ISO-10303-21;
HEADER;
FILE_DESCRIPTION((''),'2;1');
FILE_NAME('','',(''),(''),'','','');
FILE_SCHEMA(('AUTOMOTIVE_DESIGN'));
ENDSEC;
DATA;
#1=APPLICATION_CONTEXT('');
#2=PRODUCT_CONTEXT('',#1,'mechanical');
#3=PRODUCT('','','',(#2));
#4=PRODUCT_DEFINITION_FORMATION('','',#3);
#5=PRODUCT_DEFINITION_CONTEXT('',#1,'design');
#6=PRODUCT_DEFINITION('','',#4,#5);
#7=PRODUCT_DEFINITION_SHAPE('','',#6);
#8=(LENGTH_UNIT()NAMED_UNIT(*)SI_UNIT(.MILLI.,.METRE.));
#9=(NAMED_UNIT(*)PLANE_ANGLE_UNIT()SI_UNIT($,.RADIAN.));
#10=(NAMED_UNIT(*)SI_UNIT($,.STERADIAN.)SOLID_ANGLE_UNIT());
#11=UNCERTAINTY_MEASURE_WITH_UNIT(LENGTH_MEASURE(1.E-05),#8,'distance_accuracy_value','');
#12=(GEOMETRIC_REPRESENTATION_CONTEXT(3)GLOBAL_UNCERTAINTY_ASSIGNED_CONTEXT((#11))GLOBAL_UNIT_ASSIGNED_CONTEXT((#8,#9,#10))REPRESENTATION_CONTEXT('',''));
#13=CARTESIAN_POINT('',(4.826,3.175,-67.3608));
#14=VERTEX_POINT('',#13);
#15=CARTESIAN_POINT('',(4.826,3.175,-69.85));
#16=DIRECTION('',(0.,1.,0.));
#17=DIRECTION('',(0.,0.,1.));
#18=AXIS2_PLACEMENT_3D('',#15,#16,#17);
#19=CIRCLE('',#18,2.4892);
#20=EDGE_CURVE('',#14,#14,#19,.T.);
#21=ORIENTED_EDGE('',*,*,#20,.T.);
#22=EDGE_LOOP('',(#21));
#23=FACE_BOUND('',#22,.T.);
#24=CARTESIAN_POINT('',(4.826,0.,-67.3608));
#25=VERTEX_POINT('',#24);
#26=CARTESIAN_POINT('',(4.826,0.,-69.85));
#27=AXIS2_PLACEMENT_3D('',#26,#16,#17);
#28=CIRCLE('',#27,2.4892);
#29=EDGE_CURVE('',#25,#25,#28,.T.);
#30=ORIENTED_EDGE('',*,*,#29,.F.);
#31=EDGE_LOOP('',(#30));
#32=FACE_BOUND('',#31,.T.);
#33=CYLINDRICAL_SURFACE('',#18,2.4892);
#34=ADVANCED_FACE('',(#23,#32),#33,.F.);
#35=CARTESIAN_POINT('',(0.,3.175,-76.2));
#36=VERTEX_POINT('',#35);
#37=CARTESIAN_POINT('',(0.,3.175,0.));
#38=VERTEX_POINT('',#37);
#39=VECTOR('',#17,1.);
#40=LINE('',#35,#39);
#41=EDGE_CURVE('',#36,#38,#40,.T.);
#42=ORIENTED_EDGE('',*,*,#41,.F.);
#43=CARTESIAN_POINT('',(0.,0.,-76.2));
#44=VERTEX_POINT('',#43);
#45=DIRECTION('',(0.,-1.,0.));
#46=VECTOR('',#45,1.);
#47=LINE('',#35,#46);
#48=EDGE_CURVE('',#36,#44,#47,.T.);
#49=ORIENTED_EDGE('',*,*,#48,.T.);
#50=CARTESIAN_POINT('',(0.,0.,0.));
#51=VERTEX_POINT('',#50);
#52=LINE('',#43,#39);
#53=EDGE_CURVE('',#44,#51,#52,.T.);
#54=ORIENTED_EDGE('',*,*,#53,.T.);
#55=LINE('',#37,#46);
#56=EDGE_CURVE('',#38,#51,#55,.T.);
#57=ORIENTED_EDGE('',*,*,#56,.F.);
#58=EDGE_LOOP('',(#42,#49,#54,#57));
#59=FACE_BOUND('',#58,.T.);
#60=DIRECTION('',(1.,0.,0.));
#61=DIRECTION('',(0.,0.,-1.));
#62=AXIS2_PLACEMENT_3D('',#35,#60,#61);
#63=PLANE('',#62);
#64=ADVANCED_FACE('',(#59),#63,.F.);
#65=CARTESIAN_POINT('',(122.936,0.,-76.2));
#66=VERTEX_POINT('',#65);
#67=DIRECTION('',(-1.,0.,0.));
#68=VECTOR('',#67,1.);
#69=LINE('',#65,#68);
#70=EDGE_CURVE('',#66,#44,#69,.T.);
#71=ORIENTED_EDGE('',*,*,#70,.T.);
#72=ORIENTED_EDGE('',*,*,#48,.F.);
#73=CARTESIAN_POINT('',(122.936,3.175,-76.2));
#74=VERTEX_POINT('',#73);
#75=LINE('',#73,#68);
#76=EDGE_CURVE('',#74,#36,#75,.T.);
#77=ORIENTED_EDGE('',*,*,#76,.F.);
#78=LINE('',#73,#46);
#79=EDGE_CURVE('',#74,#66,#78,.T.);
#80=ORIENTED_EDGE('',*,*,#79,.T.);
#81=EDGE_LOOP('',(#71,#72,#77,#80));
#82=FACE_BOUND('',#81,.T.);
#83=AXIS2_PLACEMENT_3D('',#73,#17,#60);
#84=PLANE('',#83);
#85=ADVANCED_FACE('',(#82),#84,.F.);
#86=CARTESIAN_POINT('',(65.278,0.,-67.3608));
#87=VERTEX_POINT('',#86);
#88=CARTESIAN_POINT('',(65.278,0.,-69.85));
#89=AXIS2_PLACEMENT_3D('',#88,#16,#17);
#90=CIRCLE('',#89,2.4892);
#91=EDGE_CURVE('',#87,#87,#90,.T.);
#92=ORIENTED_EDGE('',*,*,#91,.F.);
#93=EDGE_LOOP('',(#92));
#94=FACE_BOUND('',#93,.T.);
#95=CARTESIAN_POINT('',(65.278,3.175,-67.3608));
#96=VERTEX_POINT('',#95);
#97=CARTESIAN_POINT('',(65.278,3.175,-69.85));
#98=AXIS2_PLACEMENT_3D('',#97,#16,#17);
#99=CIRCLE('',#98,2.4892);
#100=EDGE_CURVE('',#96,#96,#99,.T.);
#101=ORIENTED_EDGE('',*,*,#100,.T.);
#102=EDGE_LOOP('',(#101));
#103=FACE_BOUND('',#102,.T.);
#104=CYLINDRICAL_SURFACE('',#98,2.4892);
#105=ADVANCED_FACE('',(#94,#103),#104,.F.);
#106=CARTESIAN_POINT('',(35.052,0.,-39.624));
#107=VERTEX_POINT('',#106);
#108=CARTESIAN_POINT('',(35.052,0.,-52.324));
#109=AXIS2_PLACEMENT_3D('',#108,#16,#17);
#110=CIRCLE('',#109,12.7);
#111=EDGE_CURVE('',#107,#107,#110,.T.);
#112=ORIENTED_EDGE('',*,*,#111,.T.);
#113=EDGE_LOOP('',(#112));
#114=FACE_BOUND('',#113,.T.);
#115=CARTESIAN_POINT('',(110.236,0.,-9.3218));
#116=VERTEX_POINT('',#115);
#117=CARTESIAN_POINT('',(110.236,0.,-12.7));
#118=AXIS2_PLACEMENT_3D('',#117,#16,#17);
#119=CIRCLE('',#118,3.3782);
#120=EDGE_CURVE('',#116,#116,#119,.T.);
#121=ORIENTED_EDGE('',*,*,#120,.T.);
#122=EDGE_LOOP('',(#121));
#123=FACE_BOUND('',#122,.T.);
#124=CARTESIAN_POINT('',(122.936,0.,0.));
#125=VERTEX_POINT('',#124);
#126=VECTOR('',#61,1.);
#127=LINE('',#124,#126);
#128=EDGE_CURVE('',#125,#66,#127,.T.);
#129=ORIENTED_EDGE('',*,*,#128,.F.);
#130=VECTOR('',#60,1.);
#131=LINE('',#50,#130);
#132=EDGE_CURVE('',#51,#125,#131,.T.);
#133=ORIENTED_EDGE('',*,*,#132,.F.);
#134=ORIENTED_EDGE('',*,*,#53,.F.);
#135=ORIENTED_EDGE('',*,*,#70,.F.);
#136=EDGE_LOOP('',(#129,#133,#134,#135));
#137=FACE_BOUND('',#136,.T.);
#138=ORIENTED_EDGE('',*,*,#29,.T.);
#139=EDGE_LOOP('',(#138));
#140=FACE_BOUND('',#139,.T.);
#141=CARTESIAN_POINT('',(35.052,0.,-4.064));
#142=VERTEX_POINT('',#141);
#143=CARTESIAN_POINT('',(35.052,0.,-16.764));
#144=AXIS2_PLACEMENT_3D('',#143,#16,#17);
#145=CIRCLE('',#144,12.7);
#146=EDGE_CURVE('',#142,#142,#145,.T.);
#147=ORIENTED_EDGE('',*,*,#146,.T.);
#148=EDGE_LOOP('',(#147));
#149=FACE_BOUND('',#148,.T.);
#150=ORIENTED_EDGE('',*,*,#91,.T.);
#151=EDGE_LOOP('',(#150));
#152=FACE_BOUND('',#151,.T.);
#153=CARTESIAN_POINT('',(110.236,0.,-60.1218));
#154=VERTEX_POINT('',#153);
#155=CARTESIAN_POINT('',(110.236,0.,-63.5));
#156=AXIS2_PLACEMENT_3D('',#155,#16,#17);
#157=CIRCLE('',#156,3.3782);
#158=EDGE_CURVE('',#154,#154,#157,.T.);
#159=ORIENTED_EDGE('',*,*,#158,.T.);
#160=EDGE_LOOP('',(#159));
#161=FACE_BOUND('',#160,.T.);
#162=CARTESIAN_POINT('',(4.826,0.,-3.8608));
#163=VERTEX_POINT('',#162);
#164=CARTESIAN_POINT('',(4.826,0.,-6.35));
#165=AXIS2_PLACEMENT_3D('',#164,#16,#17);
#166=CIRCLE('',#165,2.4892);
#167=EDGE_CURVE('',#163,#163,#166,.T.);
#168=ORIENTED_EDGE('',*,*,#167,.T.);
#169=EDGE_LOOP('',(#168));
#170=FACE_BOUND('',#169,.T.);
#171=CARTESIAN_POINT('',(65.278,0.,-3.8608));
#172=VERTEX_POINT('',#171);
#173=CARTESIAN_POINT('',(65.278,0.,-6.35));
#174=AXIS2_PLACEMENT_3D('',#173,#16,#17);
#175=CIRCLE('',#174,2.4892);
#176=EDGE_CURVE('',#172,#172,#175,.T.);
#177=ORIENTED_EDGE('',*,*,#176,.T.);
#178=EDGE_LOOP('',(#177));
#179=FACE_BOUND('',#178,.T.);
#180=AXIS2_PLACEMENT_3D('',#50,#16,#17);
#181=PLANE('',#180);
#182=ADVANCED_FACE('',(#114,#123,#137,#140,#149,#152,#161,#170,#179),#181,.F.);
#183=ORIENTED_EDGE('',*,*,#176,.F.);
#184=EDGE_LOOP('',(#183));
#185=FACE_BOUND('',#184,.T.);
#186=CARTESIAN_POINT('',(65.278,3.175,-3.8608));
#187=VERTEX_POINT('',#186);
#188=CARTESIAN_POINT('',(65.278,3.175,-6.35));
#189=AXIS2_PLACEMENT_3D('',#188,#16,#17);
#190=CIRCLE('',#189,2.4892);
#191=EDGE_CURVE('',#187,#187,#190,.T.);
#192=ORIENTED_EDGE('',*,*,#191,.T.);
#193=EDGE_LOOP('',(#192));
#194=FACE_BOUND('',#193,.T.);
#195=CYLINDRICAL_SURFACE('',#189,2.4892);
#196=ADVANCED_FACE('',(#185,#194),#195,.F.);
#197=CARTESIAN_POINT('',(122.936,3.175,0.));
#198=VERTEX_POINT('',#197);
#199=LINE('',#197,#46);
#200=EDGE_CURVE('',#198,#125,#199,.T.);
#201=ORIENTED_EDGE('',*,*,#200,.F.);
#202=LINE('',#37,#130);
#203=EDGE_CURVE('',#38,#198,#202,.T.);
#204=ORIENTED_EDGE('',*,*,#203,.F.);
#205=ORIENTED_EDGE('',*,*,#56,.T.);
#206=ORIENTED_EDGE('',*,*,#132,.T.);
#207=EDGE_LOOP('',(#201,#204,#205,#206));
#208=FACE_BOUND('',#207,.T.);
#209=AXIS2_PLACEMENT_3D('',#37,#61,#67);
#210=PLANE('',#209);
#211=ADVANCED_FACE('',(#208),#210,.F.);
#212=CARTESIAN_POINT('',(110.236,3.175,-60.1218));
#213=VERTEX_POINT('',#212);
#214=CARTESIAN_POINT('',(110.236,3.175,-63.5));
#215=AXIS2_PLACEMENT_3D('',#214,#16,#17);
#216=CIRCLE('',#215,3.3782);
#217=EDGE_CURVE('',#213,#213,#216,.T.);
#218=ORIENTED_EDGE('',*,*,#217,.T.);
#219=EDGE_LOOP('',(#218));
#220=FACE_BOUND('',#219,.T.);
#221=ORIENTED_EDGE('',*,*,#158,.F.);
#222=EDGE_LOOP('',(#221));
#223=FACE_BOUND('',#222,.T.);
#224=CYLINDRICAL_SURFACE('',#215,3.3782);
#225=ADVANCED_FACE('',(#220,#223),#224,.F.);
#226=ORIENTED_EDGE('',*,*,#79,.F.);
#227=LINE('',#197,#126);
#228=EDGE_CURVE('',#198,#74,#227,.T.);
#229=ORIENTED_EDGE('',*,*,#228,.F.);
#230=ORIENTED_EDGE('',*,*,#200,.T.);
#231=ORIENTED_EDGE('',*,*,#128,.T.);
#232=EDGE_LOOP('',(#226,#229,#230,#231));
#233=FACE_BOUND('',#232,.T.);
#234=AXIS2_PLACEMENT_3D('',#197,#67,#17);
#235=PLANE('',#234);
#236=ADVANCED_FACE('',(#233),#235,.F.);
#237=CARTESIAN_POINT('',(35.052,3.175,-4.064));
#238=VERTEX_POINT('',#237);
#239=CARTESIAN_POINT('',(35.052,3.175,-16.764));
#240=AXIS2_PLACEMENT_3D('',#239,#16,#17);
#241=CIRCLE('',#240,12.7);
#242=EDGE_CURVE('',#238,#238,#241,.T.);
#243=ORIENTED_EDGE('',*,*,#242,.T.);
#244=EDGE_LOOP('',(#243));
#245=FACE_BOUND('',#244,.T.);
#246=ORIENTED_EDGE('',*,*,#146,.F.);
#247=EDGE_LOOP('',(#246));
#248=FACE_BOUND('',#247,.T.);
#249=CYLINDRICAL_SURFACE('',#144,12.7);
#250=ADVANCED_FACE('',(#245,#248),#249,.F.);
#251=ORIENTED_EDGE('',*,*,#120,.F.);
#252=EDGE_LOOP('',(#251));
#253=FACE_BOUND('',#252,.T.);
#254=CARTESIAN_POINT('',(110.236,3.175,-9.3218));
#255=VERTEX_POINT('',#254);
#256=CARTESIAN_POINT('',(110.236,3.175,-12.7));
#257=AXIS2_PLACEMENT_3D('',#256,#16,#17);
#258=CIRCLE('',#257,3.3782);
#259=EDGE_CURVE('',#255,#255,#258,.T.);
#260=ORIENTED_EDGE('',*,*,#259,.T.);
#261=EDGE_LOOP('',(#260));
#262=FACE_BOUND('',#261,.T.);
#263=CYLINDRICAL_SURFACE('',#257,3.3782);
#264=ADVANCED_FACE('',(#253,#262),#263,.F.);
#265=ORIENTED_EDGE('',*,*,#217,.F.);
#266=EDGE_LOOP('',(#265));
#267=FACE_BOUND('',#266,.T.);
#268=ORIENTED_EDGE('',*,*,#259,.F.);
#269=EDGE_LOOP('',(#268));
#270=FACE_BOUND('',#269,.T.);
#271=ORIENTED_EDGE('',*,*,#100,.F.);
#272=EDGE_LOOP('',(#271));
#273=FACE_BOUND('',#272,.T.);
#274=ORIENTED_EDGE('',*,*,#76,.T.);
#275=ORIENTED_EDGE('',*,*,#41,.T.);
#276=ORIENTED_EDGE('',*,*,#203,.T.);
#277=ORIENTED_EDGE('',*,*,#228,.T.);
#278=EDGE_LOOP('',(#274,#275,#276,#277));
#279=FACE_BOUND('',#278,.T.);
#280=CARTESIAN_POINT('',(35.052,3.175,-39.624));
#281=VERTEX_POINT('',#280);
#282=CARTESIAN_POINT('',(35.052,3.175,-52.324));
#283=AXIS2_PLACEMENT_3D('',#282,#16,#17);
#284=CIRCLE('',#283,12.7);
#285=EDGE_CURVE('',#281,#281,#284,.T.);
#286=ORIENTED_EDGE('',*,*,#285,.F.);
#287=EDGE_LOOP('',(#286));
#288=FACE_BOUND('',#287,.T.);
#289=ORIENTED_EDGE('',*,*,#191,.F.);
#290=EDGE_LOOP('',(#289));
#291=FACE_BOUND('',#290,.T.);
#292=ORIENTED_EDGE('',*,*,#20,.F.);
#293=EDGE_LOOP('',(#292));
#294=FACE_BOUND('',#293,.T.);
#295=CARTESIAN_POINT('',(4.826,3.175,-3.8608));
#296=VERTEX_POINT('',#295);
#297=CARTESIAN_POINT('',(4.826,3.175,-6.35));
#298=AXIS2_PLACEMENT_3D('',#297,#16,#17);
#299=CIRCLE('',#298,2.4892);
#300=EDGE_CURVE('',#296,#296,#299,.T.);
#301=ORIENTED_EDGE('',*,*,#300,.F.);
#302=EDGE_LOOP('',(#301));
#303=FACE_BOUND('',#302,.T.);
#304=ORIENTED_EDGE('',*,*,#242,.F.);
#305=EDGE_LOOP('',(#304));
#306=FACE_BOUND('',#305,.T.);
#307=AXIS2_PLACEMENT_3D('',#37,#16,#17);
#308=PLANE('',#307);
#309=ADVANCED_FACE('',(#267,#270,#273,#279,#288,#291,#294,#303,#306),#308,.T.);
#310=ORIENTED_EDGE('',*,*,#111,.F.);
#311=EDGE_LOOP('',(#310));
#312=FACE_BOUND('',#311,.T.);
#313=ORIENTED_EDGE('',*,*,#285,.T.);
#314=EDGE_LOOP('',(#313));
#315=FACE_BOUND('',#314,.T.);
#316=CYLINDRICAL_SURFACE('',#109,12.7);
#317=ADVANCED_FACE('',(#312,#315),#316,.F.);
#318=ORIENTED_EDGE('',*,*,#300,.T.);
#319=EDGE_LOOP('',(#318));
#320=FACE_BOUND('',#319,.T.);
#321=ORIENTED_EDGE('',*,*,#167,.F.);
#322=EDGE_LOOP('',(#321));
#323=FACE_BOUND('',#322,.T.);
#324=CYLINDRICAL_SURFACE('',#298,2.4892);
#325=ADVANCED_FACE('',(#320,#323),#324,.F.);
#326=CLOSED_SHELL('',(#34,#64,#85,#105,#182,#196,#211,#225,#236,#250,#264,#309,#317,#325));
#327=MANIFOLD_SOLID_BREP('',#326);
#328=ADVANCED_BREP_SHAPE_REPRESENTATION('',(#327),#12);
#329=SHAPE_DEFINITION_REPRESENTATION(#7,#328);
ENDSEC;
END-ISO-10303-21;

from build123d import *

# Parameters (mm, degrees)
SKETCH2_W                    = 122.936
SKETCH2_H                    = 76.2
BOSS_EXTRUDE1_DEPTH          = 3.175
F_10_0_1935_DIAMETER_HOLE1_D = 4.9784
LPATTERN1_COUNT              = 2
LPATTERN1_PITCH              = 60.452
F_1_4_0_25_DIAMETER_HOLE1_D  = 6.7564
MIRROR1_COPY_1_D             = 4.9784
SKETCH7_R                    = 12.7
CUT_EXTRUDE1_DEPTH           = 4.175


with BuildPart() as part:
    # Sketch2 → Boss-Extrude1 (new body)
    with BuildSketch(Plane(origin=(0, 0, 0), x_dir=(1, 0, 0), z_dir=(0, 1, 0))):
        with Locations((61.468, 38.1)):
            Rectangle(SKETCH2_W, SKETCH2_H)
    extrude(amount=BOSS_EXTRUDE1_DEPTH)

    # #10 (0.1935) Diameter Hole1 (through all)
    with Locations(Plane(origin=(0, 3.175, 0), x_dir=(1, 0, 0), z_dir=(0, 1, 0))):
        with Locations((4.826, 69.85)):
            f_10_0_1935_diameter_hole1 = Hole(F_10_0_1935_DIAMETER_HOLE1_D / 2)

    # LPattern1: #10 (0.1935) Diameter Hole1 ×2
    with Locations(*[(i * LPATTERN1_PITCH, 0, 0) for i in range(1, LPATTERN1_COUNT)]):
        add(f_10_0_1935_diameter_hole1, mode=Mode.SUBTRACT)

    # 1/4 (0.25) Diameter Hole1 (through all)
    with Locations(Plane(origin=(0, 3.175, 0), x_dir=(1, 0, 0), z_dir=(0, 1, 0))):
        with Locations((110.236, 63.5)):
            f_1_4_0_25_diameter_hole1 = Hole(F_1_4_0_25_DIAMETER_HOLE1_D / 2)

    # Mirror1: 1/4 (0.25) Diameter Hole1, #10 (0.1935) Diameter Hole1 across plane
    add(f_1_4_0_25_diameter_hole1.mirror(Plane(origin=(0, 0, -38.1), x_dir=(1, 0, 0), z_dir=(0, 0, -1))), mode=Mode.SUBTRACT)
    add(f_10_0_1935_diameter_hole1.mirror(Plane(origin=(0, 0, -38.1), x_dir=(1, 0, 0), z_dir=(0, 0, -1))), mode=Mode.SUBTRACT)

    # Mirror1 copy 1 (through all)
    with Locations(Plane(origin=(60.452, 3.175, -76.2), x_dir=(1, 0, 0), z_dir=(0, 1, 0))):
        with Locations((4.826, -69.85)):
            Hole(MIRROR1_COPY_1_D / 2)

    # Sketch7 → Cut-Extrude1 (cut, through all)
    with BuildSketch(Plane(origin=(0, 3.175, 0), x_dir=(1, 0, 0), z_dir=(0, 1, 0))):
        with Locations((35.052, 16.764)):
            Circle(SKETCH7_R)
        with Locations((35.052, 52.324)):
            Circle(SKETCH7_R)
    extrude(amount=-CUT_EXTRUDE1_DEPTH, mode=Mode.SUBTRACT)


solid = part.part
